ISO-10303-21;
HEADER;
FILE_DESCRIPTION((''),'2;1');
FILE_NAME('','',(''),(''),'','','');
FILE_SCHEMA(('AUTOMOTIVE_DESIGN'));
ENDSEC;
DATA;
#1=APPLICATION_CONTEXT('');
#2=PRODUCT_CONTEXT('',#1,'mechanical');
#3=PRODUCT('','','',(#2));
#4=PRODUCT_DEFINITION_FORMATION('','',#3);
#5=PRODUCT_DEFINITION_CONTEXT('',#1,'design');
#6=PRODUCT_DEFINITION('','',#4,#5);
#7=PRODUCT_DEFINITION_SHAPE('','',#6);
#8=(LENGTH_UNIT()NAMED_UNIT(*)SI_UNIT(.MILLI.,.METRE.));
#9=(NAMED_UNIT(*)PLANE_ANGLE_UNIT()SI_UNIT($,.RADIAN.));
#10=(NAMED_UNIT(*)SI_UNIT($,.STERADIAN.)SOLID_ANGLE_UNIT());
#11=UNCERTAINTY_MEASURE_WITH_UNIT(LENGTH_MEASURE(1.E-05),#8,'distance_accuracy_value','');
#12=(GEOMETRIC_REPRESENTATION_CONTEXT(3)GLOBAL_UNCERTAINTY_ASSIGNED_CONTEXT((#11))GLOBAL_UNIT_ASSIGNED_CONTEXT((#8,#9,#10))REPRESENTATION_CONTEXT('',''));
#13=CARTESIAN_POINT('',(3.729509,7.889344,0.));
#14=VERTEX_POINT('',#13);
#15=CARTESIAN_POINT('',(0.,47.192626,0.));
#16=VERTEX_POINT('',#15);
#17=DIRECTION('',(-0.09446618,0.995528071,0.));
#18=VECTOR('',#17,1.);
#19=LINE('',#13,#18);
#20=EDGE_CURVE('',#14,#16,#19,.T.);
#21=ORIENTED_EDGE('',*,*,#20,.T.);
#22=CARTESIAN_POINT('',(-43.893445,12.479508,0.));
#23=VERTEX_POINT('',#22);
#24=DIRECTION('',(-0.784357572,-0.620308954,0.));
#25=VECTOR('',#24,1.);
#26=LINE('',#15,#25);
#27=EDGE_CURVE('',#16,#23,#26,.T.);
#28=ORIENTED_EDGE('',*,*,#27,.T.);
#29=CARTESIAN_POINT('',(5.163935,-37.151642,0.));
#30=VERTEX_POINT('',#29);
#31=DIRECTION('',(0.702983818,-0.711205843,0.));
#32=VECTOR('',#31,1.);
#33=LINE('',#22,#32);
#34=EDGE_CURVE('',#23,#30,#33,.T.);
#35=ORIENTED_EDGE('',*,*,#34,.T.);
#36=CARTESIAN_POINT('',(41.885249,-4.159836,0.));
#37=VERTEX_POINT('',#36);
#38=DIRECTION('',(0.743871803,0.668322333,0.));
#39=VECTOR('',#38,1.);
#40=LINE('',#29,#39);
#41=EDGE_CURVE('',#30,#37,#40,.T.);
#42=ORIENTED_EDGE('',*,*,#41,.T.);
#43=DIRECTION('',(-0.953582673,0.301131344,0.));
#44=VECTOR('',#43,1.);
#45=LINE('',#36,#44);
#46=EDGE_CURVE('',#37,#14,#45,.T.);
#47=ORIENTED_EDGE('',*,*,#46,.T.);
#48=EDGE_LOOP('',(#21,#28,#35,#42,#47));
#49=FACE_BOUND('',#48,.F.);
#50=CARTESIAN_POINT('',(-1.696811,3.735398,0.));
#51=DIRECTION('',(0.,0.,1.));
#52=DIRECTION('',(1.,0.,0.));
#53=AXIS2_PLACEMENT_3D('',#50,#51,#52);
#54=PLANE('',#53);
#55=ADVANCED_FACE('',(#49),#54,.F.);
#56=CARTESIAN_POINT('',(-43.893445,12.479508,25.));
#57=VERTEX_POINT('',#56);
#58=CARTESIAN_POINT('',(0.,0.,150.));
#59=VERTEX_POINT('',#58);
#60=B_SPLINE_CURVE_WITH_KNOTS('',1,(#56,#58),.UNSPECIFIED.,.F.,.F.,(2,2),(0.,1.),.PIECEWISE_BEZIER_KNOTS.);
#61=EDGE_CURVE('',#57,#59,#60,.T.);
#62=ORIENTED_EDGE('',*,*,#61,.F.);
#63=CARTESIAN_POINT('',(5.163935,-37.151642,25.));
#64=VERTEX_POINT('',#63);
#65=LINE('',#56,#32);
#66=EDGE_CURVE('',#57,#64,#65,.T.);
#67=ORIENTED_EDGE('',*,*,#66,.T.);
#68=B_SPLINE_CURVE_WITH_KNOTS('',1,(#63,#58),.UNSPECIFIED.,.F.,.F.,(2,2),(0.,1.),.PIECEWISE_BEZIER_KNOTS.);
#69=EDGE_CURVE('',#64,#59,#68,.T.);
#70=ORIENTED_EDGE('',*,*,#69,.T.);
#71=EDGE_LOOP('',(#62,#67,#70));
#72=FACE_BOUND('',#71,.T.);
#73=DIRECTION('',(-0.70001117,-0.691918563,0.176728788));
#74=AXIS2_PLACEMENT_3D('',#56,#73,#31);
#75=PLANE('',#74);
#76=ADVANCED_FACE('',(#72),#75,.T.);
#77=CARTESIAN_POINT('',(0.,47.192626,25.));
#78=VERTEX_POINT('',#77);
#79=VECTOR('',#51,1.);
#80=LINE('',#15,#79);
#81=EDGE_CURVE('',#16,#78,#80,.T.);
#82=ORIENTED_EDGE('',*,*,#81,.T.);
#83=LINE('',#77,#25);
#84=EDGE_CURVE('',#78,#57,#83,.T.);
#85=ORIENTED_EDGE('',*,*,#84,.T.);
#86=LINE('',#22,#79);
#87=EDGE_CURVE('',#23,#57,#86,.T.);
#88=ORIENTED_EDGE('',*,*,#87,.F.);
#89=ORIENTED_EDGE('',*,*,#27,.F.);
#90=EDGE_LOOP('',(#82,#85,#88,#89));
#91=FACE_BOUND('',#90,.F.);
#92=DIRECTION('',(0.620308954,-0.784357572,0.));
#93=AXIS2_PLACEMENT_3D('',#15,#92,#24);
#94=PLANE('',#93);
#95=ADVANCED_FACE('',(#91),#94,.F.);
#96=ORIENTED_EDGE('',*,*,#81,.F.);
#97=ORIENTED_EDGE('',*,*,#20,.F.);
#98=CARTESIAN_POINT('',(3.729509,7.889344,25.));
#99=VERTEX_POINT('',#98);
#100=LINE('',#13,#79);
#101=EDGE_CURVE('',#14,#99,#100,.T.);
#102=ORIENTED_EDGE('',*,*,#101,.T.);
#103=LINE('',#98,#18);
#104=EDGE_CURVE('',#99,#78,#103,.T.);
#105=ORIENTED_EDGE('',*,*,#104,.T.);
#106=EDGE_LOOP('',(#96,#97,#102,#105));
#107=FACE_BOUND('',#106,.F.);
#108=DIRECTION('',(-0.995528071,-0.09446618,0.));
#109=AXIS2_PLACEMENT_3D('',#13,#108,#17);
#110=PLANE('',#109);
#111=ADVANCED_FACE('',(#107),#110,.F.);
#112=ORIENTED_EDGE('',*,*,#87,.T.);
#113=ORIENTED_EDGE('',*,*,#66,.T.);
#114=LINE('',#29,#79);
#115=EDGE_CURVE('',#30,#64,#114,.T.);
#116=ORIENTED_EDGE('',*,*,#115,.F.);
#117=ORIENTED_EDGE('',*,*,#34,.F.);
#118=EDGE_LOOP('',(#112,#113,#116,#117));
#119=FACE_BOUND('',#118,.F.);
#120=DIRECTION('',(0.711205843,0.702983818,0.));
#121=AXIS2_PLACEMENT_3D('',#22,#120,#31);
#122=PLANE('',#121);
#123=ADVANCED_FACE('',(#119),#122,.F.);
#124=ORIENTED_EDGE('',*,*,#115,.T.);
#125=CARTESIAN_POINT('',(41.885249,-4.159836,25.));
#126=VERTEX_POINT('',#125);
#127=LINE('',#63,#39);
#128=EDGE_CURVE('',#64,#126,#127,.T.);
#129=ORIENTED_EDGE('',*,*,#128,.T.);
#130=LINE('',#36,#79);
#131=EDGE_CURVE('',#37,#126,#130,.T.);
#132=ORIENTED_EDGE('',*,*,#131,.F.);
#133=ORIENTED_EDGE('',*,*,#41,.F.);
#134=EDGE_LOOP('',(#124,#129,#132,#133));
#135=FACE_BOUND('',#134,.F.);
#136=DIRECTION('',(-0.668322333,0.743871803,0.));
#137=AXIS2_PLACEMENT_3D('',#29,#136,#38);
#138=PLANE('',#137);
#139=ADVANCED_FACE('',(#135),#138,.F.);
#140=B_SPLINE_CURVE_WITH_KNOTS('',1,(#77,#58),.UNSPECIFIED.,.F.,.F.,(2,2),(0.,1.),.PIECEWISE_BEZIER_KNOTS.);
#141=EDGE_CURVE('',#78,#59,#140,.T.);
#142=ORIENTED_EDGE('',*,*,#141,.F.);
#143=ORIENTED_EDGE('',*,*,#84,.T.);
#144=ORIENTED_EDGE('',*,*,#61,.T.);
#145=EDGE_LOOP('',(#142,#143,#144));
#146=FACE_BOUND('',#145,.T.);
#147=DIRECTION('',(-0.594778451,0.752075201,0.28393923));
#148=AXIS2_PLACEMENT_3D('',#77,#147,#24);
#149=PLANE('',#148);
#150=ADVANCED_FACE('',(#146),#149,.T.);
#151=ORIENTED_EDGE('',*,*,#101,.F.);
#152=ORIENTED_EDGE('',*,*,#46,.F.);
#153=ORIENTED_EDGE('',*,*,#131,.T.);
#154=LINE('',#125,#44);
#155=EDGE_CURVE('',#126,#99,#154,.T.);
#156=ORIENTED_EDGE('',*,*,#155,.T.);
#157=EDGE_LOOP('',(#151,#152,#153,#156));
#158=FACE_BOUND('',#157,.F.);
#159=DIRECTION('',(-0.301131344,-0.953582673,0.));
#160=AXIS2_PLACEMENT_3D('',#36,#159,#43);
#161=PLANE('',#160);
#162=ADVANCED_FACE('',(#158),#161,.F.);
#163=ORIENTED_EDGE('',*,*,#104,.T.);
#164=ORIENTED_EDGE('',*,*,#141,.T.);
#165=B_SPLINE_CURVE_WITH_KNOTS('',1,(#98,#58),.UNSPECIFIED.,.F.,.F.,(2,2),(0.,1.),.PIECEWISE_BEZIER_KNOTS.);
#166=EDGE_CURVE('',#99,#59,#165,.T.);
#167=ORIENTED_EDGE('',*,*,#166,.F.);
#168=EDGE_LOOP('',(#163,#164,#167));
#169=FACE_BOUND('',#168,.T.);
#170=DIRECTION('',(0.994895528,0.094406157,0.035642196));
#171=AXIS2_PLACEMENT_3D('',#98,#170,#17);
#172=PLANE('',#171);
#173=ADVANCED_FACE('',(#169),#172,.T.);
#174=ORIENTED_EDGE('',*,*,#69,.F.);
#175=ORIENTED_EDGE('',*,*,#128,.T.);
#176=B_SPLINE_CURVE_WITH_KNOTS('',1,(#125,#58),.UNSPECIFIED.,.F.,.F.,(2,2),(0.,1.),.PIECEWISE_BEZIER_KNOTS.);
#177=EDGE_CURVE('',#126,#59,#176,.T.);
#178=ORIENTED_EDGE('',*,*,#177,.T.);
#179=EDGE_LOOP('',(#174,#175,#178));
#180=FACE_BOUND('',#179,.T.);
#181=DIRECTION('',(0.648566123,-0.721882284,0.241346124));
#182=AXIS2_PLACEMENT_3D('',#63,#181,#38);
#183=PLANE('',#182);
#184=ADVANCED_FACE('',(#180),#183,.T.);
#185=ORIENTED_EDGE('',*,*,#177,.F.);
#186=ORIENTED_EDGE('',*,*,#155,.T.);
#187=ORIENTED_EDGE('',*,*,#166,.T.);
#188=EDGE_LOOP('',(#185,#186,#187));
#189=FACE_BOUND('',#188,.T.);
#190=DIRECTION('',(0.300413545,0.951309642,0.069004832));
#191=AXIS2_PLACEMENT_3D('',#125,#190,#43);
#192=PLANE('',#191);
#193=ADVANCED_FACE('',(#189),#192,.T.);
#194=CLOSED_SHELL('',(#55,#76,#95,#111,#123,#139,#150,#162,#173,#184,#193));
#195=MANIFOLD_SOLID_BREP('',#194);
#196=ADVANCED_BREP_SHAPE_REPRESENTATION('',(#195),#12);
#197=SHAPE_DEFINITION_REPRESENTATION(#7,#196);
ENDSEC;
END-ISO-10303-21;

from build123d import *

# Parameters (mm, degrees)
F1_DEPTH = 25


with BuildPart() as f1:
    # F0 (on Top) → F1 (new body)
    with BuildSketch(Plane.XY):
        Polygon((3.729509, 7.889344), (0, 47.192626), (-43.893445, 12.479508), (5.163935, -37.151642), (41.885249, -4.159836), align=None)
    extrude(amount=F1_DEPTH)

    # F1_face (on face) → F4 section 0
    with BuildSketch(Plane(origin=(-3.684593, 1.905517, 25), x_dir=(1, 0, 0), z_dir=(0, 0, 1)), mode=Mode.PRIVATE) as f4_s0:
        Polygon((45.569842, -6.065353), (7.414102, 5.983827), (3.684593, 45.287109), (-40.208852, 10.573991), (8.848528, -39.057159), align=None)
    loft([f4_s0.sketch, Vertex(0, 0, 150)])


solid = f1.part
